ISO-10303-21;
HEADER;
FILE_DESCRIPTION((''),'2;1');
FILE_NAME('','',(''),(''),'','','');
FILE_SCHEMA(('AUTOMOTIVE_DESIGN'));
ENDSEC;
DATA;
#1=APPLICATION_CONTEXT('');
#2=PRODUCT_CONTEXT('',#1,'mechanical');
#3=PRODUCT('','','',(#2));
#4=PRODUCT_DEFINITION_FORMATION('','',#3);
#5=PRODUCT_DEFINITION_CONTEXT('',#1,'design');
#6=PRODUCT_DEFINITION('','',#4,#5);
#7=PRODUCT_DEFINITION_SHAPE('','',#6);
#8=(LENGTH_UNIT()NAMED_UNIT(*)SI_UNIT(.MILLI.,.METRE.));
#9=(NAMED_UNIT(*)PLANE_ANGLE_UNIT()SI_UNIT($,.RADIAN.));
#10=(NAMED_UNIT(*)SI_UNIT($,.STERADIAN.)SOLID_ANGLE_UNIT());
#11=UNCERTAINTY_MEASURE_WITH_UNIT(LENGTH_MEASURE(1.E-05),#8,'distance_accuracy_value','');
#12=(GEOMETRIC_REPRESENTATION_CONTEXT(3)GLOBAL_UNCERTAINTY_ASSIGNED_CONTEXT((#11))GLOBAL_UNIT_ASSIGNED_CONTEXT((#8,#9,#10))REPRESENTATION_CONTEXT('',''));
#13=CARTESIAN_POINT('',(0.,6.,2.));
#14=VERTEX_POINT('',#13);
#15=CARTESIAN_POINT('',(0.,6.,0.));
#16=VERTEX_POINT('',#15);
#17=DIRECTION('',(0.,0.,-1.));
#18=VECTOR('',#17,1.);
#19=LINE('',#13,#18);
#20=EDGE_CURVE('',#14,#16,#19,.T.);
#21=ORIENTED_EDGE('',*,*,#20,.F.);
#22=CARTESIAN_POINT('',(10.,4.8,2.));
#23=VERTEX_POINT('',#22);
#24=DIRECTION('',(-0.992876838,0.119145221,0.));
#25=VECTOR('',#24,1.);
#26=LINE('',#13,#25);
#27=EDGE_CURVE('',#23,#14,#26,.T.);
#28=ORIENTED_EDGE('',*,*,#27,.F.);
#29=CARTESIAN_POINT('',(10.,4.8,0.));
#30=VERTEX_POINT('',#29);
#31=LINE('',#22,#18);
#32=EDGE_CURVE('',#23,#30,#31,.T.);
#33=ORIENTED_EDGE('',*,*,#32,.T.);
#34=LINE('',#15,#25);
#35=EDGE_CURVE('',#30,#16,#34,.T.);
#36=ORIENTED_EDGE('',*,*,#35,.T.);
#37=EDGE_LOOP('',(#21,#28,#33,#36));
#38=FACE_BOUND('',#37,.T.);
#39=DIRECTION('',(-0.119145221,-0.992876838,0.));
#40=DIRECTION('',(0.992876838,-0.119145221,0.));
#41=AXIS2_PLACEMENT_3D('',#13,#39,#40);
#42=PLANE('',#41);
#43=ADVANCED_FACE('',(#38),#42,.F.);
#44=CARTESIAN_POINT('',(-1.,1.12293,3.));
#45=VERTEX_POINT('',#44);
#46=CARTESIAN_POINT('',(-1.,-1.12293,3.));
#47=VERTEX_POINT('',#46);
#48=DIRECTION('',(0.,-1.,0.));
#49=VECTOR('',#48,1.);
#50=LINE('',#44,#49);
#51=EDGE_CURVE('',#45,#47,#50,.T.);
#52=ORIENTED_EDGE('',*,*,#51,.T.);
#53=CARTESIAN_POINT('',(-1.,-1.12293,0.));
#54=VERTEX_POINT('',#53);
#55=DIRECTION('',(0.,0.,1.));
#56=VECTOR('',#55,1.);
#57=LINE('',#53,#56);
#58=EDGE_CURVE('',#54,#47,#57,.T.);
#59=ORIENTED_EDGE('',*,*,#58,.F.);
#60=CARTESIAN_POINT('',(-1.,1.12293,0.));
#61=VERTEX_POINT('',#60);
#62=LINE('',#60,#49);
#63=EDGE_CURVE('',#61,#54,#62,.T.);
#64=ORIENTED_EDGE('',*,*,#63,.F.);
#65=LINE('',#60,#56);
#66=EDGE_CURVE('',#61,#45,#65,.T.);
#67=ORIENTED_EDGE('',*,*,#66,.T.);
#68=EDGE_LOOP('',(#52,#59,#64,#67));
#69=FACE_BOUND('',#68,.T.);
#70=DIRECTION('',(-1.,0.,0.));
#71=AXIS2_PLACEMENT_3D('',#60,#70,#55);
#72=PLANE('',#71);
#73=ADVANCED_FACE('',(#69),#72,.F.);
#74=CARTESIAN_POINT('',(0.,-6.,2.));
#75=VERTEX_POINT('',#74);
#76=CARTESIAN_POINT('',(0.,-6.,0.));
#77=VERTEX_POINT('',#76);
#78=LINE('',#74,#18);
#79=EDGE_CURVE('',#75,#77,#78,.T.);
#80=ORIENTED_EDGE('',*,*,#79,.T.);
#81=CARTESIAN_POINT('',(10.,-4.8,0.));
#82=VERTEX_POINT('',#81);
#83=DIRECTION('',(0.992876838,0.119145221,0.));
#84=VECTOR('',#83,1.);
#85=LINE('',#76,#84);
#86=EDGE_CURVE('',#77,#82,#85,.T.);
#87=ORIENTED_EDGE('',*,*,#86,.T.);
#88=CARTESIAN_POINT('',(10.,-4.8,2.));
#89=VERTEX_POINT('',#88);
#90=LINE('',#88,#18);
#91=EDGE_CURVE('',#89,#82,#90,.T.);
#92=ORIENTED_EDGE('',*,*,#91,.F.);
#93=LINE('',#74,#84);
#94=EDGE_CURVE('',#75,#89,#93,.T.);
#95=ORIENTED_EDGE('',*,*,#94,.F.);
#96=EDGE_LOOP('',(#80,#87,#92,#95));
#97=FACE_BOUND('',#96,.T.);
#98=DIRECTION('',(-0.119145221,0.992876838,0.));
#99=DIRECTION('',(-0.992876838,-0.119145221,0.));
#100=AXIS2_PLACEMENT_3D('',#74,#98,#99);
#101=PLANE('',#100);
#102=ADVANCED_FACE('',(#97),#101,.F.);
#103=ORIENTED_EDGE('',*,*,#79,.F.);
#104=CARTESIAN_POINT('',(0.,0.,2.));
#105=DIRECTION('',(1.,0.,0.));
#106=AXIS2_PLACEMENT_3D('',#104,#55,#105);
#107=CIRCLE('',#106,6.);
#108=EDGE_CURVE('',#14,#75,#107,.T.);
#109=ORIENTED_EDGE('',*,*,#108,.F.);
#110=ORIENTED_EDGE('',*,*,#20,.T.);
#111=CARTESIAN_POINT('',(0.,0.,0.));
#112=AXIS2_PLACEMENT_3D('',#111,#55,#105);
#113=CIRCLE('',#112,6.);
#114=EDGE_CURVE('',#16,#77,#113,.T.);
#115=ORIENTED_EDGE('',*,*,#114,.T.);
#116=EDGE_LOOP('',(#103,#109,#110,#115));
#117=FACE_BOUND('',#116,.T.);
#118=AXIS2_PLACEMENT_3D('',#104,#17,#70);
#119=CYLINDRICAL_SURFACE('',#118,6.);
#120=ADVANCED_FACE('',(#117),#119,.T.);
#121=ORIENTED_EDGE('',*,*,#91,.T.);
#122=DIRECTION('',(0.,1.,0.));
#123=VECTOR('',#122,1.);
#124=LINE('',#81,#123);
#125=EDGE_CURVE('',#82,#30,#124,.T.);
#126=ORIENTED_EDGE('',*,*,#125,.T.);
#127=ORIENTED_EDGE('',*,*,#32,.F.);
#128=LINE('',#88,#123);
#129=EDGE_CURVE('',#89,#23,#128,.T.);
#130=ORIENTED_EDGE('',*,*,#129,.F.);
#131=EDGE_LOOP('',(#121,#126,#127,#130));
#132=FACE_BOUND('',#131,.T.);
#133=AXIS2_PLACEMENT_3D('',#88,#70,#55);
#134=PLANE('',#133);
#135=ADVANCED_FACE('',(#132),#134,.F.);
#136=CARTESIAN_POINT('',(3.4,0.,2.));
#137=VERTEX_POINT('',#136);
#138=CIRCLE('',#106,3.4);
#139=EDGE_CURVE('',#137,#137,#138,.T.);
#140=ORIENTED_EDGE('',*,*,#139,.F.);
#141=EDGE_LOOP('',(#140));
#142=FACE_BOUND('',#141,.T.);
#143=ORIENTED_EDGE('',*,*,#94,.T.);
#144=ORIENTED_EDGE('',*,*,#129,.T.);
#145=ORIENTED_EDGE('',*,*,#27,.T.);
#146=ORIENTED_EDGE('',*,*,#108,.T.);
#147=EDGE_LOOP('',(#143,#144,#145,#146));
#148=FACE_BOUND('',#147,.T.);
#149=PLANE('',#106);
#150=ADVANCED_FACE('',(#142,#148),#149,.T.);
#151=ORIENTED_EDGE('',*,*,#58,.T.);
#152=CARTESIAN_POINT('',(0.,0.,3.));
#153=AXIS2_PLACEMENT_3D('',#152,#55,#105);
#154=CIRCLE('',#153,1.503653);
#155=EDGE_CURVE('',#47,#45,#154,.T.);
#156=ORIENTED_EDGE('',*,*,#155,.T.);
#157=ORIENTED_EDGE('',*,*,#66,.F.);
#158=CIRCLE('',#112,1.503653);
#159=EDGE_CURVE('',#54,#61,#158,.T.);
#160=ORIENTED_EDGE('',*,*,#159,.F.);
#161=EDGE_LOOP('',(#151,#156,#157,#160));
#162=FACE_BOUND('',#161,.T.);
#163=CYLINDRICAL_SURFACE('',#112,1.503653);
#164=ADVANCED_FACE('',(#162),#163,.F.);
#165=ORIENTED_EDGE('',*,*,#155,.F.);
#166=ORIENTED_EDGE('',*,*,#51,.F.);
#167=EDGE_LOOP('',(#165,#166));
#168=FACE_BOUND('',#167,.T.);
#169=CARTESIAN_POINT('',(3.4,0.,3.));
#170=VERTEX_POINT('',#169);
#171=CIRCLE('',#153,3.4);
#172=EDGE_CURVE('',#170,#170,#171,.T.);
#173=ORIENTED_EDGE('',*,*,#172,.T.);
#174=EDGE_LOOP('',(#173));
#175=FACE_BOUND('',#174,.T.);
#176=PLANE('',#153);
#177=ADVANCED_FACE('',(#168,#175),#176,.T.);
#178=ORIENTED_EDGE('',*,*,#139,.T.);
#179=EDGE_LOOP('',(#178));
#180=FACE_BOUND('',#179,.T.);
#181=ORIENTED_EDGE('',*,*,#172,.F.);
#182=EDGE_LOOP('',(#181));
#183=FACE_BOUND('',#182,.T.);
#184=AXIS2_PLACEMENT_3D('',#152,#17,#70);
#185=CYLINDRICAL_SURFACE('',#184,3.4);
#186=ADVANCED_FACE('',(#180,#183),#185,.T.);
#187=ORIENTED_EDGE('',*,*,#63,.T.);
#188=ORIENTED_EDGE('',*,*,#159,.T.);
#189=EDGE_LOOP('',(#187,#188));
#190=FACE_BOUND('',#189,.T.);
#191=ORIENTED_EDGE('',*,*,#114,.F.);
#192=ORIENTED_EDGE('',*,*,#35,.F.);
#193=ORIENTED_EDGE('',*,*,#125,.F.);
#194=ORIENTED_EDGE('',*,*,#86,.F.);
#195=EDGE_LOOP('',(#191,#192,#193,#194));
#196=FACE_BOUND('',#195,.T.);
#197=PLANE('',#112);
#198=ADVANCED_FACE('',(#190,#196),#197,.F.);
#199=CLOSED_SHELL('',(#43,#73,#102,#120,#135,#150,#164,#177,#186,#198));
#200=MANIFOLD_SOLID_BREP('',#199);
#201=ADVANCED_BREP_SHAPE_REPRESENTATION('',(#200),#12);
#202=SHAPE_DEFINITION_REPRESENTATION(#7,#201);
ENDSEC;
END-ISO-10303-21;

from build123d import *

# Parameters (mm, degrees)
BOSS_EXTRUDE1_DEPTH = 2
SKETCH7_R           = 3.4
BOSS_EXTRUDE2_DEPTH = 1
CUT_EXTRUDE3_DEPTH  = 4


with BuildPart() as part:
    # Sketch2 → Boss-Extrude1 (new body)
    with BuildSketch(Plane.XY):
        with BuildLine():
            Line((10, -4.8), (10, 4.8))
            Line((10, 4.8), (0, 6))
            ThreePointArc((0, 6), (-6, 0), (0, -6))
            Line((0, -6), (10, -4.8))
        make_face()
    extrude(amount=BOSS_EXTRUDE1_DEPTH)

    # Sketch7 → Boss-Extrude2 (add)
    with BuildSketch(Plane.XY.offset(2)):
        Circle(SKETCH7_R)
    extrude(amount=BOSS_EXTRUDE2_DEPTH)

    # Sketch8 → Cut-Extrude3 (cut, through all)
    with BuildSketch(Plane.XY.offset(3)):
        with BuildLine():
            Line((-1, 1.122930178), (-1, -1.122930178))
            ThreePointArc((-1, -1.122930178), (1.503652947, 0), (-1, 1.122930178))
        make_face()
    extrude(amount=-CUT_EXTRUDE3_DEPTH, mode=Mode.SUBTRACT)


solid = part.part
